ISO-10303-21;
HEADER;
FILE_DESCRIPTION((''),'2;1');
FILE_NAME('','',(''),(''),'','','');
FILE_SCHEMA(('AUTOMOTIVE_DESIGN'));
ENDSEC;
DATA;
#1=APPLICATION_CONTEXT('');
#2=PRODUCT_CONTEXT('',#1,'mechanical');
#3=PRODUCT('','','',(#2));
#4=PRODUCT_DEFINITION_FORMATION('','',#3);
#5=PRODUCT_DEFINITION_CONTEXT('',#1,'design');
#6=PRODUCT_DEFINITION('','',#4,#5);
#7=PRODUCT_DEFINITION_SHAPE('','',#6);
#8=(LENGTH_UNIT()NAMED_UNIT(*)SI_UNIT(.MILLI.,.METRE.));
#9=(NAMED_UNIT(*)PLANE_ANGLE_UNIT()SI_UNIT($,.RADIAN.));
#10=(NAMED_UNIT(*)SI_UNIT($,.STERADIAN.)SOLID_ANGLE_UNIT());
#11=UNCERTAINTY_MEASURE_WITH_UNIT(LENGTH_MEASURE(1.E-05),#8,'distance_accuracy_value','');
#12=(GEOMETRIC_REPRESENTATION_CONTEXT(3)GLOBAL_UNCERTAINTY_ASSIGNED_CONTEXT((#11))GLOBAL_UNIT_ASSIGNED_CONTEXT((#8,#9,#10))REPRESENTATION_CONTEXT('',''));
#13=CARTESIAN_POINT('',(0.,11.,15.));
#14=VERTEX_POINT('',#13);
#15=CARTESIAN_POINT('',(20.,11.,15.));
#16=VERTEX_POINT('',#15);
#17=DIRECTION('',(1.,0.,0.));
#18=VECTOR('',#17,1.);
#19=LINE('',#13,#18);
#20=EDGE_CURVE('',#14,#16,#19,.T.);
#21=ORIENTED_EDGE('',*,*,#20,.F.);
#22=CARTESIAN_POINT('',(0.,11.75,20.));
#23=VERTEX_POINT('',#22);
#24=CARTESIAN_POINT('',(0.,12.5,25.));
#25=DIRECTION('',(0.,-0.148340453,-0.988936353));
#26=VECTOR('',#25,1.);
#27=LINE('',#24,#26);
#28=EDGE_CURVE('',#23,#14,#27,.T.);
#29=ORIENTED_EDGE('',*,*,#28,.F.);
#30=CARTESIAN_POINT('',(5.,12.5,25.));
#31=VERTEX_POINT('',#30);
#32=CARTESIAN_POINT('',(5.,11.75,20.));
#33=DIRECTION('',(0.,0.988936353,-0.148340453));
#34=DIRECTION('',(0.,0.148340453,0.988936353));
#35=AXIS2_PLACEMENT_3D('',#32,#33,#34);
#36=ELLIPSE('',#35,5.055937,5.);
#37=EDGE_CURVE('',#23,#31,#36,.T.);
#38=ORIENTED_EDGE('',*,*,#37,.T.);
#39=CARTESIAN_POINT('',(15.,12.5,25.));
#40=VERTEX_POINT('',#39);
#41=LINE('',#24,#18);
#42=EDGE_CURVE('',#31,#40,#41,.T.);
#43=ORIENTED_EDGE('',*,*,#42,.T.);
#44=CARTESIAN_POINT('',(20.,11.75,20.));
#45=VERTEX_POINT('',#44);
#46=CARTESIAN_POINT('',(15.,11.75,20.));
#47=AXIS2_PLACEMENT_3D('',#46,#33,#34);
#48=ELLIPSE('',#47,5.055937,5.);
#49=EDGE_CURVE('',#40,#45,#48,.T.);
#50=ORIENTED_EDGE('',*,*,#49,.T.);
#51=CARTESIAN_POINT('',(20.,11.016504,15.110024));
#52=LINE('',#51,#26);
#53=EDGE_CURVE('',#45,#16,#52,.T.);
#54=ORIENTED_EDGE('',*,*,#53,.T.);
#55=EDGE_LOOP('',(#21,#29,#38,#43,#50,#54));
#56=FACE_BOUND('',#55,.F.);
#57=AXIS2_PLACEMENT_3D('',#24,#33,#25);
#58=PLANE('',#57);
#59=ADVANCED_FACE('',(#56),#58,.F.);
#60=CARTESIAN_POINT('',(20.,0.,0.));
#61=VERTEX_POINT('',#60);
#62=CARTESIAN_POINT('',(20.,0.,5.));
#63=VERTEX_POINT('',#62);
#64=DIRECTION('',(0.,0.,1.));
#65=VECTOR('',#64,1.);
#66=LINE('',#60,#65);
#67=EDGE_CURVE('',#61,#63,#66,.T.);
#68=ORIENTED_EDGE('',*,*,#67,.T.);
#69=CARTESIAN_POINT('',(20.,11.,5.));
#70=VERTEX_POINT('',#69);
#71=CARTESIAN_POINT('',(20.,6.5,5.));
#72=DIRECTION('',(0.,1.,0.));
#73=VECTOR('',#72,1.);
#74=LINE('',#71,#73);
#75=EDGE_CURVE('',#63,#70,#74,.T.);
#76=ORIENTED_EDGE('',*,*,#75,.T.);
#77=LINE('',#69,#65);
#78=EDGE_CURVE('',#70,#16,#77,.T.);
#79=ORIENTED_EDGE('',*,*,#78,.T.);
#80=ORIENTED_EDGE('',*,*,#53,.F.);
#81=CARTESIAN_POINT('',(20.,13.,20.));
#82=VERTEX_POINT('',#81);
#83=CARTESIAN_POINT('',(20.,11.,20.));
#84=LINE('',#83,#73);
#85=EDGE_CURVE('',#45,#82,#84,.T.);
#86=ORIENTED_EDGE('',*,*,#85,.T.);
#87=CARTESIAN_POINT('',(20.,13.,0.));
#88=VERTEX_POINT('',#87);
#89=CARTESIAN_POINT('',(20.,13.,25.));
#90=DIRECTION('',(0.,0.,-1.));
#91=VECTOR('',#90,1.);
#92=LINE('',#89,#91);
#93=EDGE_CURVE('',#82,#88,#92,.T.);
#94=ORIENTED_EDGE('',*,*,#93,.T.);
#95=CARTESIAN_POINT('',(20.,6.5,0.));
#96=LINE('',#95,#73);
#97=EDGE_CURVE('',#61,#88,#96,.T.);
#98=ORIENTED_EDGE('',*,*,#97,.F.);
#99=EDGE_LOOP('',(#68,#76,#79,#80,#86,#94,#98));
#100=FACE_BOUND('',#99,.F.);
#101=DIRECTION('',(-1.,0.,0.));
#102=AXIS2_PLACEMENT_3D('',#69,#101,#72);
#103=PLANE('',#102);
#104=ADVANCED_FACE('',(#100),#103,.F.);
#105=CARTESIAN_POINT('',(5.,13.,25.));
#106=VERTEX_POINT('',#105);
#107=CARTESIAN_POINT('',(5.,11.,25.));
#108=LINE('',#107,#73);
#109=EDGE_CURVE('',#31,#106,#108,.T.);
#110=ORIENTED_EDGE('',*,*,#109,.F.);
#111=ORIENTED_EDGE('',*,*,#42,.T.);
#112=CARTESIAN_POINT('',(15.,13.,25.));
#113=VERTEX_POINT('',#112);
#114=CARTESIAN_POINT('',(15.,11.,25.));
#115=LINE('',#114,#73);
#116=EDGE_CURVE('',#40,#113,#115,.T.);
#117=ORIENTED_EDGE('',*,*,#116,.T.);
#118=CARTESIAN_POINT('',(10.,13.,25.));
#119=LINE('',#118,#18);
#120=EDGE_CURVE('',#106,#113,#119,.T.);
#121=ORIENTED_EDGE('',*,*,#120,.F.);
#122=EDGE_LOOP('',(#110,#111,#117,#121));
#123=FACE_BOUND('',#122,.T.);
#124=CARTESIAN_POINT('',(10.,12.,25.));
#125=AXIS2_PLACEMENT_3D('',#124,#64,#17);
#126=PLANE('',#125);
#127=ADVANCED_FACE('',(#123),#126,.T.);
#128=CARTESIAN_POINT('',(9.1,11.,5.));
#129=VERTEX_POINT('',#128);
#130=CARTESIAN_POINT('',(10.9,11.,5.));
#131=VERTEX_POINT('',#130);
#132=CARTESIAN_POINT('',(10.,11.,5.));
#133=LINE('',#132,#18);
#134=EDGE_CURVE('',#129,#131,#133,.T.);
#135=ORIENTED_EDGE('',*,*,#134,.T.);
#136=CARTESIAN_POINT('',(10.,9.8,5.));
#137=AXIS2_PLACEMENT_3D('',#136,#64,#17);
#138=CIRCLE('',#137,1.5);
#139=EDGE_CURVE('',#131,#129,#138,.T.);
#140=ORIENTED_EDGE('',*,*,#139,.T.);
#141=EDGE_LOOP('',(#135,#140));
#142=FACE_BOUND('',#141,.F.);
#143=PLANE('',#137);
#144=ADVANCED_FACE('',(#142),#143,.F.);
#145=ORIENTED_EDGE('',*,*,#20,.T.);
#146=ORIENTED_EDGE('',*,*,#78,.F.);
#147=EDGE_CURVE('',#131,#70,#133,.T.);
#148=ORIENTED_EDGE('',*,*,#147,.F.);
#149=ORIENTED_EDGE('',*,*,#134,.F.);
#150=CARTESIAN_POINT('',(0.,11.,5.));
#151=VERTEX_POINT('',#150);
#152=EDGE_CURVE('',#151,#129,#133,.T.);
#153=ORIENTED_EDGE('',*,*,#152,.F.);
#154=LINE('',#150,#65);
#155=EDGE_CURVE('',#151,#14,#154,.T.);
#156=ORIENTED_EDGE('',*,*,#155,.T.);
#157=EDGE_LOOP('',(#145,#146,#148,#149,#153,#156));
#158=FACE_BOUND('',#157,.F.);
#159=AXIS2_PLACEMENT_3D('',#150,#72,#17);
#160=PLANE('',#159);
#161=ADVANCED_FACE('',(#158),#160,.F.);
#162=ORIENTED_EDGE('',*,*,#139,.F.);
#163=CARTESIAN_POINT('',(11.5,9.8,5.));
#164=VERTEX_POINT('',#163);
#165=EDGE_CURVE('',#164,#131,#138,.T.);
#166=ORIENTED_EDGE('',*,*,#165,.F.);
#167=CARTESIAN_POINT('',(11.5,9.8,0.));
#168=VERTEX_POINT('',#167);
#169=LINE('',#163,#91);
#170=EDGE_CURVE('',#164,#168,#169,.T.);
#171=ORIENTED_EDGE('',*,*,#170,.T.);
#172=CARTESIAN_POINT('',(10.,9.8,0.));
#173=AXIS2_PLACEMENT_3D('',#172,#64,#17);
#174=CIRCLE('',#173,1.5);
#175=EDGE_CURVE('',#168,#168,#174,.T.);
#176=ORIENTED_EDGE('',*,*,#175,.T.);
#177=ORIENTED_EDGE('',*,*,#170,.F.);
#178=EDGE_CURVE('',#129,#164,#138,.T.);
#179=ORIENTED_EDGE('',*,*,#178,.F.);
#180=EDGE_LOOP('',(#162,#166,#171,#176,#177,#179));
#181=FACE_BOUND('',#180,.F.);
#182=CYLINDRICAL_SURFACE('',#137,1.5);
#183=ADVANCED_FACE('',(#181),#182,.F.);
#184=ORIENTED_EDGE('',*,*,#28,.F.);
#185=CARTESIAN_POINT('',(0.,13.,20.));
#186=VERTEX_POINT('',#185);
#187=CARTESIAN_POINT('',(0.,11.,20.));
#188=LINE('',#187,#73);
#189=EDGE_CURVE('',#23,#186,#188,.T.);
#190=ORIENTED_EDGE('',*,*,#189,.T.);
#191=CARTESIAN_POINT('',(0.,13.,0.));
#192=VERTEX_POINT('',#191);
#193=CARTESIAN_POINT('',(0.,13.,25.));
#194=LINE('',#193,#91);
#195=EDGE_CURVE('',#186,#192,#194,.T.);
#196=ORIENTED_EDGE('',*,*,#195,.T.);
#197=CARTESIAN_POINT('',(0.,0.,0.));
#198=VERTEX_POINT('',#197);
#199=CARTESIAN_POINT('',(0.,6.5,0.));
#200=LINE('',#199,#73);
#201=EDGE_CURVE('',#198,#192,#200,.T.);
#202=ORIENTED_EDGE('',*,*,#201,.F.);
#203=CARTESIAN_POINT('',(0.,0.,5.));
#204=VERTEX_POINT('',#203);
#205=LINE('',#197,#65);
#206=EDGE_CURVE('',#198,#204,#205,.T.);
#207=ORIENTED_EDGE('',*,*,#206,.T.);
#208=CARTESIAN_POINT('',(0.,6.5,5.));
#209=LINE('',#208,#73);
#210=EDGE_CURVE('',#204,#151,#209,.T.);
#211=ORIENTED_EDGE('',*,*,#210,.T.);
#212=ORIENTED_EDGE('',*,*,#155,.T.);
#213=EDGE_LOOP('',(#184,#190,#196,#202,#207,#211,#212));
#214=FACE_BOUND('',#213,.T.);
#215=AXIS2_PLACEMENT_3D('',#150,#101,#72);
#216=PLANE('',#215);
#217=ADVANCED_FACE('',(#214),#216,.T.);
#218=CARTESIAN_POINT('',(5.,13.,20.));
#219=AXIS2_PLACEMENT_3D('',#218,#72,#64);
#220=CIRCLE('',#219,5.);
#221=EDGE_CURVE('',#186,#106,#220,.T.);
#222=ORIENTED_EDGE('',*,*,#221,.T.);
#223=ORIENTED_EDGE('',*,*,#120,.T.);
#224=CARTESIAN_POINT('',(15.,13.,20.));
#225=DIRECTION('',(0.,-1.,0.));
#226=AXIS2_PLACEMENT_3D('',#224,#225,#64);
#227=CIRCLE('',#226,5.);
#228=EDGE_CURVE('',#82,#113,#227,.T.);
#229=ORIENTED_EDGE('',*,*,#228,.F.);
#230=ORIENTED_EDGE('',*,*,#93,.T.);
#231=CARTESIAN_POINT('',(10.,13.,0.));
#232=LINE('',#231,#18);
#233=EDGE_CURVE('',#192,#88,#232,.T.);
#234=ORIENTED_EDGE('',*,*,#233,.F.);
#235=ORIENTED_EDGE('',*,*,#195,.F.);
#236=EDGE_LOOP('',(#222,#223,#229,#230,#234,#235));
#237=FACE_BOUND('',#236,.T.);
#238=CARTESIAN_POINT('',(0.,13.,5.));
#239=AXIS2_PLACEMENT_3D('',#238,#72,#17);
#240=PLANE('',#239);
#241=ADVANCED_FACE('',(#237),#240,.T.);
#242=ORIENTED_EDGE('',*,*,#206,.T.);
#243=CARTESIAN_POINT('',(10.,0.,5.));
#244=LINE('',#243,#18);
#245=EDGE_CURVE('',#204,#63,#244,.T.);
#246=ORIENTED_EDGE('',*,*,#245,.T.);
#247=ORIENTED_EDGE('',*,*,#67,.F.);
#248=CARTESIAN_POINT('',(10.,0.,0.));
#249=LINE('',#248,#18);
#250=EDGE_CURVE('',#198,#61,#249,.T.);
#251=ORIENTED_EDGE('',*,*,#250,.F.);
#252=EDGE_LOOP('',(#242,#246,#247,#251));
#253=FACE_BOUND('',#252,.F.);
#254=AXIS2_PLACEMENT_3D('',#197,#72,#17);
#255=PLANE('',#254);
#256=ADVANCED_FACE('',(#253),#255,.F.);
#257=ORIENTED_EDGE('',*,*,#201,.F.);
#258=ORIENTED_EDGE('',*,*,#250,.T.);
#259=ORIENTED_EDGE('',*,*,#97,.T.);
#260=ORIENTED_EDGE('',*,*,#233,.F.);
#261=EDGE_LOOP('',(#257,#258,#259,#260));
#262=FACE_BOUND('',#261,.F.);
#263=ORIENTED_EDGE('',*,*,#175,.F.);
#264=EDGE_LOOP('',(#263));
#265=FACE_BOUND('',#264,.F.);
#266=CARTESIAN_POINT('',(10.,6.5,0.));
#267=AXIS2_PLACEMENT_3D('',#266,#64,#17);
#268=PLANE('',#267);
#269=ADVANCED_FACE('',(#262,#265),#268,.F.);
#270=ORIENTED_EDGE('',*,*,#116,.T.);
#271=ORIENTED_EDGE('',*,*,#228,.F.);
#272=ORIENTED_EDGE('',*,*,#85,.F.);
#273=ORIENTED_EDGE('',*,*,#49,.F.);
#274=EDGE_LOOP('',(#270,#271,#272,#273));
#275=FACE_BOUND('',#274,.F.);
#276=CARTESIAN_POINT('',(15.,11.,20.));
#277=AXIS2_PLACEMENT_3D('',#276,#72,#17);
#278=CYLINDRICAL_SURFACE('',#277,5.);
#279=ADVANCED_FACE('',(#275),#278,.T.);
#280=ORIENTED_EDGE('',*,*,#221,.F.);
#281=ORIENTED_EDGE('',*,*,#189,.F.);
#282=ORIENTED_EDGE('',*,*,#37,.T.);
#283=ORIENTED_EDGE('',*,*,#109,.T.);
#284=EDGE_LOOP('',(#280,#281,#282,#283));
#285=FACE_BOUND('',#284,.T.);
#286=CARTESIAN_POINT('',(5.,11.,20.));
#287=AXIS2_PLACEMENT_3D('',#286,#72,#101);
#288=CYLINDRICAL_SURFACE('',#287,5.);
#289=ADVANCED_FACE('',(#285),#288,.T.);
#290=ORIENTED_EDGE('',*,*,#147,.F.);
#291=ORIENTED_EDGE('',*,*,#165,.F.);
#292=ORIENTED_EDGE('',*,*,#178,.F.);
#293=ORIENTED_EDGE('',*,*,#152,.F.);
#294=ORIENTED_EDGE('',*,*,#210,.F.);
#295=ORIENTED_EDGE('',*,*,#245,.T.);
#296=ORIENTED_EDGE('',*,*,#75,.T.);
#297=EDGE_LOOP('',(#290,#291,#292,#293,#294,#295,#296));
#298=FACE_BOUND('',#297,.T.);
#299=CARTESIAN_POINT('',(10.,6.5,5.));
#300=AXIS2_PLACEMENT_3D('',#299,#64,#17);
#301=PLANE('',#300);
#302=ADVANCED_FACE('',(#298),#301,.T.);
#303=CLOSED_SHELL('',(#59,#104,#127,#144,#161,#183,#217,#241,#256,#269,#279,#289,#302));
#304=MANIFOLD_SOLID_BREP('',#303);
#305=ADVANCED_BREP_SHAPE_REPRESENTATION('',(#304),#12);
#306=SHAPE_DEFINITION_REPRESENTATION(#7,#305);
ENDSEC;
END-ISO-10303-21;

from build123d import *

# Parameters (mm, degrees)
F0_W     = 20
F0_H     = 13
F1_DEPTH = 5
F2_W     = 20
F2_H     = 2
F3_DEPTH = 20
F4_R     = 5
F7_DEPTH = 25
F5_R     = 1.5
F8_DEPTH = 25


with BuildPart() as f1:
    # F0 (on Top) → F1 (new body)
    with BuildSketch(Plane.XY):
        with Locations((10, 6.5)):
            Rectangle(F0_W, F0_H)
    extrude(amount=F1_DEPTH)

    # F2 (on face) → F3 (join)
    with BuildSketch(Plane.XY.offset(5)):
        with Locations((10, 12)):
            Rectangle(F2_W, F2_H)
    extrude(amount=F3_DEPTH)

    # F4
    f4_edges = [f1.edges().sort_by_distance(p)[0] for p in [
        (0, 12, 25),
        (20, 12, 25),
    ]]
    fillet(f4_edges, radius=F4_R)

    # F6 (on face) → F7 (cut)
    with BuildSketch(Plane(origin=(0, 0, 0), x_dir=(0, -1, 0), z_dir=(-1, 0, 0))):
        Polygon((-11, 25), (-12.5, 25), (-11, 15), align=None)
    extrude(amount=-F7_DEPTH, mode=Mode.SUBTRACT)

    # F5 (on face) → F8 (cut)
    with BuildSketch(Plane.XY.offset(5)):
        with Locations((10, 9.8)):
            Circle(F5_R)
    extrude(amount=-F8_DEPTH, mode=Mode.SUBTRACT)


solid = f1.part
